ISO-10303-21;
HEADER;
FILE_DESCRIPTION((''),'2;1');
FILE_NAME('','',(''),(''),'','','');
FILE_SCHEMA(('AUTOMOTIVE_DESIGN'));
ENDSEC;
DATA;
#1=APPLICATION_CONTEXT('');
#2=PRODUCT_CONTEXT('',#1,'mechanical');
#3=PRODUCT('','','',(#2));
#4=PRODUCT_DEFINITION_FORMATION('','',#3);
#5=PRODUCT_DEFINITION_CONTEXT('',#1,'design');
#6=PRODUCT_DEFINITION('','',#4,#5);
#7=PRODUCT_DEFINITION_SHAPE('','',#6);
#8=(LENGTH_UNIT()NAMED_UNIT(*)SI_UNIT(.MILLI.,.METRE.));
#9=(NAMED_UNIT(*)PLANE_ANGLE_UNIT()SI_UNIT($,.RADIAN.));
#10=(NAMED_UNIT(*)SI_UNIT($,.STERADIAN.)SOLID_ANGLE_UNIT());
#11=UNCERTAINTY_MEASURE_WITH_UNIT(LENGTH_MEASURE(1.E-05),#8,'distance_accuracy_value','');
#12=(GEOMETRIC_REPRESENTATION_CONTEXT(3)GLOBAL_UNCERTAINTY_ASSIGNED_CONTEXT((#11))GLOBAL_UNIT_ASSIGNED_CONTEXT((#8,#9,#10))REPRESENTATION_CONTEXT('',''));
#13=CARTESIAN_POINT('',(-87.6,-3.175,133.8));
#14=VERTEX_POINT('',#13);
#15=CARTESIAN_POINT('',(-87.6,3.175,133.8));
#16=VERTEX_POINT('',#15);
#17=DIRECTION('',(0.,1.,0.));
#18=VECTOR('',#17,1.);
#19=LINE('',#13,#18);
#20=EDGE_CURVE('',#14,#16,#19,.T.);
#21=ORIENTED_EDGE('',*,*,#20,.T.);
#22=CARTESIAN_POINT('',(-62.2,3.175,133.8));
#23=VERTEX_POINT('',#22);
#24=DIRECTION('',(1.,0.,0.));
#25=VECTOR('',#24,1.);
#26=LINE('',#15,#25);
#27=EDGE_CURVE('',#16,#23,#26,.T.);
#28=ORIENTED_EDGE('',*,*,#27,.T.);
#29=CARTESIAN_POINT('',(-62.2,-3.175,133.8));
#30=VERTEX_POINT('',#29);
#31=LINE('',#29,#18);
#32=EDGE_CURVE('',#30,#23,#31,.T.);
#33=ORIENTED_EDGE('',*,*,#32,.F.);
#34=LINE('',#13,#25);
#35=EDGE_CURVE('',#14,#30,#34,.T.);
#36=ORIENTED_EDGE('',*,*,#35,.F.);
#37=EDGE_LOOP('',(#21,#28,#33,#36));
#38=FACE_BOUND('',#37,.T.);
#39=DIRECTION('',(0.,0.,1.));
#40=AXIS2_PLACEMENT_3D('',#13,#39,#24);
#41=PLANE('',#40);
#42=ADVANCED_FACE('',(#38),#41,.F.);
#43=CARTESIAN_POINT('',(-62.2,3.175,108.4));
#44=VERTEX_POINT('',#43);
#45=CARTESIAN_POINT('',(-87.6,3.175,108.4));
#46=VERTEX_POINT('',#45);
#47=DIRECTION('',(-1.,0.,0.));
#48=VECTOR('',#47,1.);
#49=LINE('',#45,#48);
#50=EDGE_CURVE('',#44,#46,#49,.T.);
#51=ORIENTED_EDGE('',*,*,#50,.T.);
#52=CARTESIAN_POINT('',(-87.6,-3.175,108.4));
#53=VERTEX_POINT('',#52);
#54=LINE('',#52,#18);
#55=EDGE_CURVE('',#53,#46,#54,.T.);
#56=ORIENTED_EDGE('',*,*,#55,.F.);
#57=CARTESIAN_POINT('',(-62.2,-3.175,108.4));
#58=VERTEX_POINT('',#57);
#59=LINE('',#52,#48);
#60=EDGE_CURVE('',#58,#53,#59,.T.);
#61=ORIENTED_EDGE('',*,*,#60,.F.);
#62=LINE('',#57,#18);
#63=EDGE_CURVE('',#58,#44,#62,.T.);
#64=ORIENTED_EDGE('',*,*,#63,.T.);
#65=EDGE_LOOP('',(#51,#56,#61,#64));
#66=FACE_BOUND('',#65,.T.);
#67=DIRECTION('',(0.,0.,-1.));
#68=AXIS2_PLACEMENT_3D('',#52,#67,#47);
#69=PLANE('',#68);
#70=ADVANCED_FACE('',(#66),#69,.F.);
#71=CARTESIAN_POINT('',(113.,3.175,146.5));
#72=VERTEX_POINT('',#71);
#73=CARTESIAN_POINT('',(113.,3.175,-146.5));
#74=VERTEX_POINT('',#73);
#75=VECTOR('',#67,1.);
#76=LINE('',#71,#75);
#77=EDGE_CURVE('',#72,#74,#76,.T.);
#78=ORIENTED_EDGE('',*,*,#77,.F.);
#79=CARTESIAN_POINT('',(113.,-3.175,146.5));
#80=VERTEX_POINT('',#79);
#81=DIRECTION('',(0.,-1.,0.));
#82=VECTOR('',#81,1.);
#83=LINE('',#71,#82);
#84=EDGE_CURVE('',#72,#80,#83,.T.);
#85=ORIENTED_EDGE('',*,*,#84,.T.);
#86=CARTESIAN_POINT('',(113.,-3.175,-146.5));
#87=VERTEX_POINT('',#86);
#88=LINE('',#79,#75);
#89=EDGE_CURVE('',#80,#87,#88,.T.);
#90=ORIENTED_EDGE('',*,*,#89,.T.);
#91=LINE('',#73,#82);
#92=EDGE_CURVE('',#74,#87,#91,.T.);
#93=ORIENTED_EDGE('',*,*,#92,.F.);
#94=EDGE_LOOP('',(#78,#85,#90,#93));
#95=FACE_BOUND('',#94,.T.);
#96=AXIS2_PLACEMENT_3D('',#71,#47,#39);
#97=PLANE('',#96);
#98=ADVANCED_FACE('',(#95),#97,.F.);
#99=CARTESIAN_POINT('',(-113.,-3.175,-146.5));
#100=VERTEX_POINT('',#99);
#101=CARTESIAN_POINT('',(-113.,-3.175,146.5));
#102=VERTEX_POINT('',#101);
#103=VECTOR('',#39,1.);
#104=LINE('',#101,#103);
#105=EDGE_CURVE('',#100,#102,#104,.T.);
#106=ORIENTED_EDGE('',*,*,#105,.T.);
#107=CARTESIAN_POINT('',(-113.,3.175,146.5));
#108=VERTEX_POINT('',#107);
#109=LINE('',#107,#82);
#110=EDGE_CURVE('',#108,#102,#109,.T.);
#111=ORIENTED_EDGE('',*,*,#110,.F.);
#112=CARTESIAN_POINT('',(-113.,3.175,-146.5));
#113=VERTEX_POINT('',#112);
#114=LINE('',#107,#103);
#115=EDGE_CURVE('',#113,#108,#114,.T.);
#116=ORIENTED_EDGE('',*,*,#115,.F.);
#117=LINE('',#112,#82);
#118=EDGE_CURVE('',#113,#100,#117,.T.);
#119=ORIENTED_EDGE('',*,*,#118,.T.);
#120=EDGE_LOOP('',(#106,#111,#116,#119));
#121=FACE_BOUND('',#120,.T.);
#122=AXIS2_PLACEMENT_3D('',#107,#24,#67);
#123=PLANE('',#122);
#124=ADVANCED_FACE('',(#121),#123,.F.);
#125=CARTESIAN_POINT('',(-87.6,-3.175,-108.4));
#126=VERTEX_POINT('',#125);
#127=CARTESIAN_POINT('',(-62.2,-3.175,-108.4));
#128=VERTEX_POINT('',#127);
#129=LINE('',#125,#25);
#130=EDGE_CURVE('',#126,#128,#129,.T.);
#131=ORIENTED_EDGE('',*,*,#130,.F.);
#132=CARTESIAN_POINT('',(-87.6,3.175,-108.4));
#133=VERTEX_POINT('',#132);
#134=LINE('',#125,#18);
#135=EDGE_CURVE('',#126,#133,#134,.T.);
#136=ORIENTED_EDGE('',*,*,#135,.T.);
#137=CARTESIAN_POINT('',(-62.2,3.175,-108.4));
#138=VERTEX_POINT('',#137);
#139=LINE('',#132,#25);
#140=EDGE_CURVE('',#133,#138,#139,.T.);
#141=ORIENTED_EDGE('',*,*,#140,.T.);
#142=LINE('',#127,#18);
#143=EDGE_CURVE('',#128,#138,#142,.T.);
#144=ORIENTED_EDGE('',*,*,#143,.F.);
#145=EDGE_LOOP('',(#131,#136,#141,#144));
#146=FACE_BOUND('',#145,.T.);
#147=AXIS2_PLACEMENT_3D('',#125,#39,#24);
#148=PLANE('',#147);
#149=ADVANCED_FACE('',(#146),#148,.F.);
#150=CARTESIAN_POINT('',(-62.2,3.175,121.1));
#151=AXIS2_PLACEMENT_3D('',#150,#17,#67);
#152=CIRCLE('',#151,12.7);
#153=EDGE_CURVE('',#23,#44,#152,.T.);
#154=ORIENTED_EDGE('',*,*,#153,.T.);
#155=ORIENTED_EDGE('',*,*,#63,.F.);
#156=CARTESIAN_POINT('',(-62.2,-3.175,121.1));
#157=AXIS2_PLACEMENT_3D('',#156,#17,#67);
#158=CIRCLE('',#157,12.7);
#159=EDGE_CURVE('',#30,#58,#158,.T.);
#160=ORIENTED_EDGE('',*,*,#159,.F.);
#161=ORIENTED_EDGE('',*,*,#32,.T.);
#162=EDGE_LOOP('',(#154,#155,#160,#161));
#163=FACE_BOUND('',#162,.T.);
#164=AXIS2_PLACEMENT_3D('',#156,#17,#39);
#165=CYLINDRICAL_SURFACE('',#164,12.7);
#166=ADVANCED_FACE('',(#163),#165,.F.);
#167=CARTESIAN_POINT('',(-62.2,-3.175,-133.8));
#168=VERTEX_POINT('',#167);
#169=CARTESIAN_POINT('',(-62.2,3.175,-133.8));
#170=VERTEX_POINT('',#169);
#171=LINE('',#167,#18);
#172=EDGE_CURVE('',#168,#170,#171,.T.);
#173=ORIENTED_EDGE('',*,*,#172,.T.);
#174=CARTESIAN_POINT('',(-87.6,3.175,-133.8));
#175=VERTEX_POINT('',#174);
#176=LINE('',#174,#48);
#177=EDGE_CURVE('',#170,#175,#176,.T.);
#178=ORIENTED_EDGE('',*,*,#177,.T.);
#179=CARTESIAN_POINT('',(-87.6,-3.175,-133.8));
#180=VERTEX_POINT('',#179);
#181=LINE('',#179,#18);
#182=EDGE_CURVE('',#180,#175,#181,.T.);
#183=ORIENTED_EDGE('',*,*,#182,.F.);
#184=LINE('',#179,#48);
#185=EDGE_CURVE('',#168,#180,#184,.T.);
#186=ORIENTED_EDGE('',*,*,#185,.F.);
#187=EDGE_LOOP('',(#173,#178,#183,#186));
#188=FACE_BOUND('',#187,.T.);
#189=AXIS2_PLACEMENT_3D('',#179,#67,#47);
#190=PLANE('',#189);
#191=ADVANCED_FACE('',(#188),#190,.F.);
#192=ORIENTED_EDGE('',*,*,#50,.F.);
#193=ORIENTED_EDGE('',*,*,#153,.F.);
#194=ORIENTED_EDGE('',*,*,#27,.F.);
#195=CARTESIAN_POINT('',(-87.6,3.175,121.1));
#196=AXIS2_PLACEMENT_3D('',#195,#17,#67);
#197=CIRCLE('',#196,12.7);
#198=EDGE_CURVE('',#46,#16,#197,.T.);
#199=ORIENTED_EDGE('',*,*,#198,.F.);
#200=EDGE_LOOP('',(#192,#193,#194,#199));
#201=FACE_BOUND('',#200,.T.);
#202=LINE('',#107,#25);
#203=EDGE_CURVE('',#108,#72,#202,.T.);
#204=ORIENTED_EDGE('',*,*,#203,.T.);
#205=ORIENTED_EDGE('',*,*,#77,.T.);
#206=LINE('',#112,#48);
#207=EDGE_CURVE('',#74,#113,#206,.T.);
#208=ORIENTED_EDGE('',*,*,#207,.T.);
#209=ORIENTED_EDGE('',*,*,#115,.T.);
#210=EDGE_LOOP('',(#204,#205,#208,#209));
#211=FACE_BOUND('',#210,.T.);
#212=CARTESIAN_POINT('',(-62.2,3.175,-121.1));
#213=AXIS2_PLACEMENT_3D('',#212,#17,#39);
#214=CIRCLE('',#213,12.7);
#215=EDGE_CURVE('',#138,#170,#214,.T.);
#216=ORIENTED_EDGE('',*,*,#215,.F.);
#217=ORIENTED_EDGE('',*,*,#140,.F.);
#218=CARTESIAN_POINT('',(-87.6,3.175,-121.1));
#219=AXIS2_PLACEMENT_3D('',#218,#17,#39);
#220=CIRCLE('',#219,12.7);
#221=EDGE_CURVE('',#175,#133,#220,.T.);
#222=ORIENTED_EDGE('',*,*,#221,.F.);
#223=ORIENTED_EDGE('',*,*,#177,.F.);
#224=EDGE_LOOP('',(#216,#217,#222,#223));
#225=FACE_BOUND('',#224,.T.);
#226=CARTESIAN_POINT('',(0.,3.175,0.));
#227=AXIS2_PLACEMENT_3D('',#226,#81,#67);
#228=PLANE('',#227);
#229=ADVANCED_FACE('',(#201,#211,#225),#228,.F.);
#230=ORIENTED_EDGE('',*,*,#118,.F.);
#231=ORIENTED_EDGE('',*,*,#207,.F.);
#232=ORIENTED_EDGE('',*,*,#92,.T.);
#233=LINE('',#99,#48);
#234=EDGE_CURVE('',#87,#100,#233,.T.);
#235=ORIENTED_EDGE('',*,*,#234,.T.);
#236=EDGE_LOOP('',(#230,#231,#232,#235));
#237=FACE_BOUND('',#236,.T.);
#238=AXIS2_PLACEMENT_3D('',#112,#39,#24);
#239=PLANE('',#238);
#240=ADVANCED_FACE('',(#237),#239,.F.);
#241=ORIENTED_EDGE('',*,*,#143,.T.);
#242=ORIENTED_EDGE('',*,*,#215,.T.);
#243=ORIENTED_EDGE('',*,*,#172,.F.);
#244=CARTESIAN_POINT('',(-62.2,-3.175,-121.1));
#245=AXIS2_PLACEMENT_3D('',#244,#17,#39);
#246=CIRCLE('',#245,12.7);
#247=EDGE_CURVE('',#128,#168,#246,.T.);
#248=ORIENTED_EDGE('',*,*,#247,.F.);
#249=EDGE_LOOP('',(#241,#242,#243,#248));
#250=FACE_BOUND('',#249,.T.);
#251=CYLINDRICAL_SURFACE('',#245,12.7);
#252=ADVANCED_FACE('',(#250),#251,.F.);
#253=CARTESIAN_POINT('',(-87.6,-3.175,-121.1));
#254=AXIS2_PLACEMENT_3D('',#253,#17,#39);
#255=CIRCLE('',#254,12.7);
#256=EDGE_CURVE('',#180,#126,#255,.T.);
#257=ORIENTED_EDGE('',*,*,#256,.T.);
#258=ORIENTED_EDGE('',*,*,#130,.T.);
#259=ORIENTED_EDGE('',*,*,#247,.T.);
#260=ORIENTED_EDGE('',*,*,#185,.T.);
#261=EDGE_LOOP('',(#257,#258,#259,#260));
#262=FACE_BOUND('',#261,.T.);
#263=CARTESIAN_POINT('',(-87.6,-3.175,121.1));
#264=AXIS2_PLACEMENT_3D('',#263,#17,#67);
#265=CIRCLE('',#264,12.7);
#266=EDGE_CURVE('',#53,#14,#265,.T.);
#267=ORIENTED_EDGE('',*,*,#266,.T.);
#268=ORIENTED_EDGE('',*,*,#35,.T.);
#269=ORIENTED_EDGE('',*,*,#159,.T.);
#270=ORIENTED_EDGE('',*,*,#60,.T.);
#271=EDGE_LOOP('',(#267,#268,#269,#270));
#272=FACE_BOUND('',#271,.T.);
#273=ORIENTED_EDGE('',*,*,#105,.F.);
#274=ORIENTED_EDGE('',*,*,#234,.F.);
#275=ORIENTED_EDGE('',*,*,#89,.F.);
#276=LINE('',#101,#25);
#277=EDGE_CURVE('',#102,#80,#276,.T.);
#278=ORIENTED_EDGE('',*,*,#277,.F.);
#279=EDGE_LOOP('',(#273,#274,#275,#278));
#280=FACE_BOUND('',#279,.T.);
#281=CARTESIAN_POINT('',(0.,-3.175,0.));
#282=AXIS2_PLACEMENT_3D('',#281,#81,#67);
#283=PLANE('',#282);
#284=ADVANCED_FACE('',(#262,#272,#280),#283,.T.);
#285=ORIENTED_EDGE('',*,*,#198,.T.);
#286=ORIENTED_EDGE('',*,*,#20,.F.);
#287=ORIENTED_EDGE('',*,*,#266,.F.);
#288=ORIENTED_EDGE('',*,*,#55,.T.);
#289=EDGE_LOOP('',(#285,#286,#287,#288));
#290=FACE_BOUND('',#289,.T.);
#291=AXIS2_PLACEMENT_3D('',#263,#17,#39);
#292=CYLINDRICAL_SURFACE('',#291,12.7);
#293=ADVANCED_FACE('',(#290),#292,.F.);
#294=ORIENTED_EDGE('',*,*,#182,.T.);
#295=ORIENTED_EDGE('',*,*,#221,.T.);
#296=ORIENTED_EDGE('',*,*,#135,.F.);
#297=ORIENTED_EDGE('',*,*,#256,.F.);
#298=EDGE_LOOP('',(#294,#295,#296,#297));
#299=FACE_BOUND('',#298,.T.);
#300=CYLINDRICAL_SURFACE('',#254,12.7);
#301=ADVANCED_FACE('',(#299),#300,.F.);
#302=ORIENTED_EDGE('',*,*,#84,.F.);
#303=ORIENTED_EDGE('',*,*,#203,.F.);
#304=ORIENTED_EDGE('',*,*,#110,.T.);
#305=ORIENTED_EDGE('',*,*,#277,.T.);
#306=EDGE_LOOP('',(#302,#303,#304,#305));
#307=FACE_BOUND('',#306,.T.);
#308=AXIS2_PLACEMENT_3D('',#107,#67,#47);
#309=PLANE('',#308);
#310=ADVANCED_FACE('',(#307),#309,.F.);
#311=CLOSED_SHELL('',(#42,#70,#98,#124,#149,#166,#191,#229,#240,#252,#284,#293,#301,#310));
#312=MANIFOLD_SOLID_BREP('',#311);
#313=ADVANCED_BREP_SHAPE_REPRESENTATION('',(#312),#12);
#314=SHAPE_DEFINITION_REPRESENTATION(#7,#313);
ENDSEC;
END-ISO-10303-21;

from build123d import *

# Parameters (mm, degrees)
SKETCH1_W       = 226
SKETCH1_H       = 293
MAIN_BASE_DEPTH = 3.175
HANDLES_DEPTH   = 186.12582883


with BuildPart() as part:
    # Sketch1 → Main Base (new, symmetric)
    with BuildSketch(Plane(origin=(0, 0, 0), x_dir=(1, 0, 0), z_dir=(0, 1, 0))):
        Rectangle(SKETCH1_W, SKETCH1_H)
    extrude(amount=MAIN_BASE_DEPTH, both=True)

    # Sketch2 → Handles (cut, through all)
    with BuildSketch(Plane(origin=(0, 3.175, 0), x_dir=(1, 0, 0), z_dir=(0, 1, 0))):
        with BuildLine():
            Line((-87.6, 133.8), (-62.2, 133.8))
            ThreePointArc((-62.2, 133.8), (-49.5, 121.1), (-62.2, 108.4))
            Line((-62.2, 108.4), (-87.6, 108.4))
            ThreePointArc((-87.6, 108.4), (-100.3, 121.1), (-87.6, 133.8))
        make_face()
        with BuildLine():
            Line((-87.6, -133.8), (-62.2, -133.8))
            ThreePointArc((-62.2, -133.8), (-49.5, -121.1), (-62.2, -108.4))
            Line((-62.2, -108.4), (-87.6, -108.4))
            ThreePointArc((-87.6, -108.4), (-100.3, -121.1), (-87.6, -133.8))
        make_face()
    extrude(amount=-HANDLES_DEPTH, mode=Mode.SUBTRACT)


solid = part.part
